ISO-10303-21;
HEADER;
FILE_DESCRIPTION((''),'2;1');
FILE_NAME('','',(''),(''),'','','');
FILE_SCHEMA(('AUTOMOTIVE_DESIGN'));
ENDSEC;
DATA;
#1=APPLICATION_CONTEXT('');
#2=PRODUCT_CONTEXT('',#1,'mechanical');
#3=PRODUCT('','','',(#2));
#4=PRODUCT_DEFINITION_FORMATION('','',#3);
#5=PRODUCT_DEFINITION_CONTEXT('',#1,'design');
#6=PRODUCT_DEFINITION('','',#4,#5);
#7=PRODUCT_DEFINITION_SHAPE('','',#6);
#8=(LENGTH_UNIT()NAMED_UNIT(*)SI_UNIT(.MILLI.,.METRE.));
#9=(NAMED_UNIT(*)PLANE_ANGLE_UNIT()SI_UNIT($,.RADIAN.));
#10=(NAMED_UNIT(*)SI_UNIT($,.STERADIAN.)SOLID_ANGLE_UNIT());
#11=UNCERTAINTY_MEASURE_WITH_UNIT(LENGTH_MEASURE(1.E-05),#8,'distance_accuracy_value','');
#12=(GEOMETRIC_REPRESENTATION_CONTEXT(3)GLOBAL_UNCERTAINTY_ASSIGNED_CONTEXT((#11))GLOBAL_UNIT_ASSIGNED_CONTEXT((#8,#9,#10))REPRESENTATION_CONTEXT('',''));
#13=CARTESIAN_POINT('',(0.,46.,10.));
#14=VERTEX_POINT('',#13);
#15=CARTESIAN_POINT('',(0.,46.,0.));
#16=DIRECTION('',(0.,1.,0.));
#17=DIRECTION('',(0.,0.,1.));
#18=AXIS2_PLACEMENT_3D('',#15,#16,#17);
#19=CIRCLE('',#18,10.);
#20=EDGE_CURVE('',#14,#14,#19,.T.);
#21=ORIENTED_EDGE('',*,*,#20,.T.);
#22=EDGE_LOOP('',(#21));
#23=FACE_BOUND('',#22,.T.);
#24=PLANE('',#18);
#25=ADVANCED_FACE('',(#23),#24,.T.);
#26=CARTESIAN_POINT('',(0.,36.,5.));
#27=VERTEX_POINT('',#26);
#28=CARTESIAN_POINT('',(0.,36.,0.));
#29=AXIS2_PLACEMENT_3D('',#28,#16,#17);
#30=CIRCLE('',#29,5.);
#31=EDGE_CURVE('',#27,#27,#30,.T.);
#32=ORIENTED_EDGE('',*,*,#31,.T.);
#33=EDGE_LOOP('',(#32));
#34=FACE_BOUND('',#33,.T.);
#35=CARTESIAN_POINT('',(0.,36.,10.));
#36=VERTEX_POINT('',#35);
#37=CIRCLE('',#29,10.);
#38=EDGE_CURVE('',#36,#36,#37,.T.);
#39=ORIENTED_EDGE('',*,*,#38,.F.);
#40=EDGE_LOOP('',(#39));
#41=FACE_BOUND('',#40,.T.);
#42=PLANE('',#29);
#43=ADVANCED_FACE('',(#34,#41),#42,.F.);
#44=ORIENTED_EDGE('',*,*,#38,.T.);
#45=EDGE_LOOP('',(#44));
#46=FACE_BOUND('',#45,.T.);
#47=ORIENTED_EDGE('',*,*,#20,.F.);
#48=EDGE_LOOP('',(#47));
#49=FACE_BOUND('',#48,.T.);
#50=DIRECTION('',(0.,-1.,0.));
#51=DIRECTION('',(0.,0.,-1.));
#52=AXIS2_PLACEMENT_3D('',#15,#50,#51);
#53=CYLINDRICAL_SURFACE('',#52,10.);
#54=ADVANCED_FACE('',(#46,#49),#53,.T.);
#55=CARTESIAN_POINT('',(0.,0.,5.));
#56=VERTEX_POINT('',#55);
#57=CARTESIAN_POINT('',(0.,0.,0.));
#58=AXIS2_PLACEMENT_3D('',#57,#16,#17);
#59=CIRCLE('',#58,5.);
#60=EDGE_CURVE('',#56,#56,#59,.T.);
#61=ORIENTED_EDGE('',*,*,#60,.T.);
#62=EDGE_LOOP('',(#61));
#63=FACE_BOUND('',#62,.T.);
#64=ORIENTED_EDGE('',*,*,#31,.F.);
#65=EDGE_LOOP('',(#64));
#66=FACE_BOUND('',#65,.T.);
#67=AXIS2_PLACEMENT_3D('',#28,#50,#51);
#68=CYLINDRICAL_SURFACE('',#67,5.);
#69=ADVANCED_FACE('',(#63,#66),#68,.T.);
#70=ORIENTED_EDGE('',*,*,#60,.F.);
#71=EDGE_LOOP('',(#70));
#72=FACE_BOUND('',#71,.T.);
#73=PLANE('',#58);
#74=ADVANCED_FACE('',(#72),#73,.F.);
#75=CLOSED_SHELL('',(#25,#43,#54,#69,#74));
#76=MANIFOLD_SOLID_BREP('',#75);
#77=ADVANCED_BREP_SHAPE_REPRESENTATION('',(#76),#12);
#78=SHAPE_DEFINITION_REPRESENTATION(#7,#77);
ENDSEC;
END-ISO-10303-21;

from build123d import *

# Parameters (mm, degrees)
SKETCH1_R           = 5
BOSS_EXTRUDE1_DEPTH = 36
SKETCH2_R           = 10
BOSS_EXTRUDE2_DEPTH = 10


with BuildPart() as part:
    # Sketch1 → Boss-Extrude1 (new body)
    with BuildSketch(Plane(origin=(0, 0, 0), x_dir=(1, 0, 0), z_dir=(0, 1, 0))):
        Circle(SKETCH1_R)
    extrude(amount=BOSS_EXTRUDE1_DEPTH)

    # Sketch2 → Boss-Extrude2 (add)
    with BuildSketch(Plane(origin=(0, 36, 0), x_dir=(1, 0, 0), z_dir=(0, 1, 0))):
        Circle(SKETCH2_R)
    extrude(amount=BOSS_EXTRUDE2_DEPTH)


solid = part.part
